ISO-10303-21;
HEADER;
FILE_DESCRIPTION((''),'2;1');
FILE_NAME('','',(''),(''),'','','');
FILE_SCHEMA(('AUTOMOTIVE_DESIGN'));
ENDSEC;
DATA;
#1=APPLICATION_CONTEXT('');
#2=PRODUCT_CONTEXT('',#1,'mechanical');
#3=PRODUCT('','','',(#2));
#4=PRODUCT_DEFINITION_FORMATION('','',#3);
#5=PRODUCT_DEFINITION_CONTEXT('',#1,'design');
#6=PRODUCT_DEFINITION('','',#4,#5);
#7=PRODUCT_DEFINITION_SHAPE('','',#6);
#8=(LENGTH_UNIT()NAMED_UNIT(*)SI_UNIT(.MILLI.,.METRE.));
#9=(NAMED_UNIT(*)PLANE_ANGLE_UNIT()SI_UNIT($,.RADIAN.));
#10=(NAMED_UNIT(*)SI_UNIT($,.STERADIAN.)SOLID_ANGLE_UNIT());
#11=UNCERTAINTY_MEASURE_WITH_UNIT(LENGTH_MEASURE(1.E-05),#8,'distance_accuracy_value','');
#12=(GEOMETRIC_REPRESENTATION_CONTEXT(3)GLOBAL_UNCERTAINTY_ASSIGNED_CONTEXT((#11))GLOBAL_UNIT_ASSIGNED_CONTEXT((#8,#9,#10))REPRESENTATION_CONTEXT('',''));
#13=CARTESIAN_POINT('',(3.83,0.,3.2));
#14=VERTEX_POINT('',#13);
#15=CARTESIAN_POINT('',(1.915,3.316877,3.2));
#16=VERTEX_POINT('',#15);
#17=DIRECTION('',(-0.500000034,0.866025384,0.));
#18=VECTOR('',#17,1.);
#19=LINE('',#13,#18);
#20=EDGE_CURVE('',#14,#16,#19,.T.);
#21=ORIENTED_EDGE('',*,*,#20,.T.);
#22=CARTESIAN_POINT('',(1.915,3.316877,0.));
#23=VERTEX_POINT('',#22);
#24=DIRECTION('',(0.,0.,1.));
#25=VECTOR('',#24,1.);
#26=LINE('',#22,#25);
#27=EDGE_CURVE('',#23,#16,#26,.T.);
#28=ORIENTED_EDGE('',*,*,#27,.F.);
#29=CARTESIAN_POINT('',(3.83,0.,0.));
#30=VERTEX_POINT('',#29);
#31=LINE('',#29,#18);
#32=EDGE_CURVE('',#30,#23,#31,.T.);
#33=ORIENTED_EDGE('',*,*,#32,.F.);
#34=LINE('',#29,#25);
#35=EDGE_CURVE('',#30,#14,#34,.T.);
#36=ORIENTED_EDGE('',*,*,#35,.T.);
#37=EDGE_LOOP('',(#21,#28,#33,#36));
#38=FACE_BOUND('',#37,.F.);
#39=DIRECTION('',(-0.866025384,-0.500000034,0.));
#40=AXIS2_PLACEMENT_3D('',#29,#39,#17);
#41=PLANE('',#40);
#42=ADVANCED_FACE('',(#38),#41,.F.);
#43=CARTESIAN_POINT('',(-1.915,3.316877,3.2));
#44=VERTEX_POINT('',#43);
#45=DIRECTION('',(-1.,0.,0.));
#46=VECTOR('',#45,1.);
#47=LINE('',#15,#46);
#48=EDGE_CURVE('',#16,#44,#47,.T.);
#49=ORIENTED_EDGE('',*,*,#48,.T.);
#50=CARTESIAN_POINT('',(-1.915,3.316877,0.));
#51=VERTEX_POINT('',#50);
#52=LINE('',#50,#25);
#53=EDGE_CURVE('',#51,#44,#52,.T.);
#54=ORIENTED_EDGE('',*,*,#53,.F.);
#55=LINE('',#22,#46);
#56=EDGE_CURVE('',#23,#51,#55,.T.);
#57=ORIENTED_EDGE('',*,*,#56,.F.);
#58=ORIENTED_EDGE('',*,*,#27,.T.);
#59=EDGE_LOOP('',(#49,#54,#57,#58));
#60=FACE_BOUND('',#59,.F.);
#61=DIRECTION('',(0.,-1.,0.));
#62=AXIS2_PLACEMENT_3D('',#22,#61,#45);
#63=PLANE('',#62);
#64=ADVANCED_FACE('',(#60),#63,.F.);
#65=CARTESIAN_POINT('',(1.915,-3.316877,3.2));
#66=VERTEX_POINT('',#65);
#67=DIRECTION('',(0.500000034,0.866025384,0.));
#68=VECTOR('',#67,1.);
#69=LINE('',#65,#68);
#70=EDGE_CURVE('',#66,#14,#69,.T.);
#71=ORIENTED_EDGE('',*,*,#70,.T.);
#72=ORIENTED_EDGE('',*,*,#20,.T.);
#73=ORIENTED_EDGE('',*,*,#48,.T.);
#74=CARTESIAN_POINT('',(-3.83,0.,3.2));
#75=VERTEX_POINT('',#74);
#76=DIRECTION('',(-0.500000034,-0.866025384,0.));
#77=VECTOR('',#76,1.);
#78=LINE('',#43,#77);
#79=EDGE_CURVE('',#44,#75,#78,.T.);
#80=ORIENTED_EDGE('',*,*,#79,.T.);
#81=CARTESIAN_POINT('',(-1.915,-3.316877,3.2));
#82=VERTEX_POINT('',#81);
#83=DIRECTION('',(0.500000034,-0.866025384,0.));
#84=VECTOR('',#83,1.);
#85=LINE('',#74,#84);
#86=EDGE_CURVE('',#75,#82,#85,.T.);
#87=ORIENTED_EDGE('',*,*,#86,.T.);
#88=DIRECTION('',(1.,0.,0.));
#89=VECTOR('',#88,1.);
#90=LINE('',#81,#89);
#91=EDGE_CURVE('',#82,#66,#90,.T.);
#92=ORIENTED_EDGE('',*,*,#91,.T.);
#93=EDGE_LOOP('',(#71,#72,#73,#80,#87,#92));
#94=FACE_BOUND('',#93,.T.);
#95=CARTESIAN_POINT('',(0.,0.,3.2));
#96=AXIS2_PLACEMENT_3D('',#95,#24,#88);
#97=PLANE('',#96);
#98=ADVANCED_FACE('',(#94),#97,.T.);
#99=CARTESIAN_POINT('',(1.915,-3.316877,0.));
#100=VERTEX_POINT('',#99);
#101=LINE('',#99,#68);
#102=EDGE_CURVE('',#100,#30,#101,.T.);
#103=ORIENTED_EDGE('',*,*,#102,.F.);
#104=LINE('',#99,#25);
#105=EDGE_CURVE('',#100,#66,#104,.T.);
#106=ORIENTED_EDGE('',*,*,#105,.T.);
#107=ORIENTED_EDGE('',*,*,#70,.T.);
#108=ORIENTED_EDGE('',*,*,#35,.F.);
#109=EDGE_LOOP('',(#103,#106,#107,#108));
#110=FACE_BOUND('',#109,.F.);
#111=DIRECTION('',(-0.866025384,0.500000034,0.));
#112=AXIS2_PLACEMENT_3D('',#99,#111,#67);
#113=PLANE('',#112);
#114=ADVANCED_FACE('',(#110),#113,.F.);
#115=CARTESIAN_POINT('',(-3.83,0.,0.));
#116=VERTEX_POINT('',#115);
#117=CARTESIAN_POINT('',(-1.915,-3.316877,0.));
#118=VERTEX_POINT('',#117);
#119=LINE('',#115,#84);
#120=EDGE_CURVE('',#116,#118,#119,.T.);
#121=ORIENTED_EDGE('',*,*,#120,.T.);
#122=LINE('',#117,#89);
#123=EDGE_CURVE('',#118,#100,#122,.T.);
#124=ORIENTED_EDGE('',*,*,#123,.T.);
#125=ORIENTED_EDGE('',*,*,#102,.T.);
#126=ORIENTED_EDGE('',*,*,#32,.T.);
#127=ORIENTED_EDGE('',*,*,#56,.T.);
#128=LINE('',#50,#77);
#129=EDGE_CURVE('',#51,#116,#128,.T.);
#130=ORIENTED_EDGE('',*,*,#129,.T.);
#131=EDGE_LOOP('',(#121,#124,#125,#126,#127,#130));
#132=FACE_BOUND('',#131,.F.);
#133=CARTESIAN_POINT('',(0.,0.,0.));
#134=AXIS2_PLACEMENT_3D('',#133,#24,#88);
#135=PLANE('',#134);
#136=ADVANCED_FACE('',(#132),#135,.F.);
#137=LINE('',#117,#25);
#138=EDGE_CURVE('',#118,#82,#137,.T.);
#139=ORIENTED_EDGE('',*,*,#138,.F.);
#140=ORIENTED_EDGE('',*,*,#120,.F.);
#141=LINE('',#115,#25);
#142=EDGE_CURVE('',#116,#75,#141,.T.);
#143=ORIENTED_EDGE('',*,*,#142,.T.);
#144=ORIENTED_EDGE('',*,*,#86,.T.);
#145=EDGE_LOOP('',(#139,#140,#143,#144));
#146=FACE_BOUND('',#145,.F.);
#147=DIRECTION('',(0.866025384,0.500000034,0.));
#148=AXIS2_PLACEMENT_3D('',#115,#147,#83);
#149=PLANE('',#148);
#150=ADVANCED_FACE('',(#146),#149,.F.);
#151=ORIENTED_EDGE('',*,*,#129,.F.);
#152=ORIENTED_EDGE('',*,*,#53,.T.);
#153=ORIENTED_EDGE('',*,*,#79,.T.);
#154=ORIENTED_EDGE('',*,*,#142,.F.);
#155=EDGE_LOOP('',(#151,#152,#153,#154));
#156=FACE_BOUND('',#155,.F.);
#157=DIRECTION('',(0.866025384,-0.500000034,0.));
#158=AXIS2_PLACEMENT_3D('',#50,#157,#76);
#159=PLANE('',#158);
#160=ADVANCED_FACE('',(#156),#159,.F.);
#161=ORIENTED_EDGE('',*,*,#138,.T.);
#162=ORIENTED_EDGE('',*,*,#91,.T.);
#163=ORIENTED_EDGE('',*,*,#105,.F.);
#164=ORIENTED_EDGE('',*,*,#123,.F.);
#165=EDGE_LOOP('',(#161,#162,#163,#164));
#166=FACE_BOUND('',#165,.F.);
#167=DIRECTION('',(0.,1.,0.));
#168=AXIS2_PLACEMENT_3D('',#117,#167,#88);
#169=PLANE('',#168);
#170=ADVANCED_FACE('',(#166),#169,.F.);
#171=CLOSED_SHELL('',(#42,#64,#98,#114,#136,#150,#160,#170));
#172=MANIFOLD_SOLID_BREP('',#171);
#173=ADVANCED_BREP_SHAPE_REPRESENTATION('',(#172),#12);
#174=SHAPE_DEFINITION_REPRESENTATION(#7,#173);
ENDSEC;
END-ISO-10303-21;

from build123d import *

# Parameters (mm, degrees)
EXTRUDE_DEPTH = 3.2


with BuildPart() as part:
    # Sketch → Extrude (new body)
    with BuildSketch(Plane.XY):
        Polygon((-3.83, 0), (-1.915, -3.316877), (1.915, -3.316877), (3.83, 0), (1.915, 3.316877), (-1.915, 3.316877), align=None)
    extrude(amount=EXTRUDE_DEPTH)


solid = part.part
